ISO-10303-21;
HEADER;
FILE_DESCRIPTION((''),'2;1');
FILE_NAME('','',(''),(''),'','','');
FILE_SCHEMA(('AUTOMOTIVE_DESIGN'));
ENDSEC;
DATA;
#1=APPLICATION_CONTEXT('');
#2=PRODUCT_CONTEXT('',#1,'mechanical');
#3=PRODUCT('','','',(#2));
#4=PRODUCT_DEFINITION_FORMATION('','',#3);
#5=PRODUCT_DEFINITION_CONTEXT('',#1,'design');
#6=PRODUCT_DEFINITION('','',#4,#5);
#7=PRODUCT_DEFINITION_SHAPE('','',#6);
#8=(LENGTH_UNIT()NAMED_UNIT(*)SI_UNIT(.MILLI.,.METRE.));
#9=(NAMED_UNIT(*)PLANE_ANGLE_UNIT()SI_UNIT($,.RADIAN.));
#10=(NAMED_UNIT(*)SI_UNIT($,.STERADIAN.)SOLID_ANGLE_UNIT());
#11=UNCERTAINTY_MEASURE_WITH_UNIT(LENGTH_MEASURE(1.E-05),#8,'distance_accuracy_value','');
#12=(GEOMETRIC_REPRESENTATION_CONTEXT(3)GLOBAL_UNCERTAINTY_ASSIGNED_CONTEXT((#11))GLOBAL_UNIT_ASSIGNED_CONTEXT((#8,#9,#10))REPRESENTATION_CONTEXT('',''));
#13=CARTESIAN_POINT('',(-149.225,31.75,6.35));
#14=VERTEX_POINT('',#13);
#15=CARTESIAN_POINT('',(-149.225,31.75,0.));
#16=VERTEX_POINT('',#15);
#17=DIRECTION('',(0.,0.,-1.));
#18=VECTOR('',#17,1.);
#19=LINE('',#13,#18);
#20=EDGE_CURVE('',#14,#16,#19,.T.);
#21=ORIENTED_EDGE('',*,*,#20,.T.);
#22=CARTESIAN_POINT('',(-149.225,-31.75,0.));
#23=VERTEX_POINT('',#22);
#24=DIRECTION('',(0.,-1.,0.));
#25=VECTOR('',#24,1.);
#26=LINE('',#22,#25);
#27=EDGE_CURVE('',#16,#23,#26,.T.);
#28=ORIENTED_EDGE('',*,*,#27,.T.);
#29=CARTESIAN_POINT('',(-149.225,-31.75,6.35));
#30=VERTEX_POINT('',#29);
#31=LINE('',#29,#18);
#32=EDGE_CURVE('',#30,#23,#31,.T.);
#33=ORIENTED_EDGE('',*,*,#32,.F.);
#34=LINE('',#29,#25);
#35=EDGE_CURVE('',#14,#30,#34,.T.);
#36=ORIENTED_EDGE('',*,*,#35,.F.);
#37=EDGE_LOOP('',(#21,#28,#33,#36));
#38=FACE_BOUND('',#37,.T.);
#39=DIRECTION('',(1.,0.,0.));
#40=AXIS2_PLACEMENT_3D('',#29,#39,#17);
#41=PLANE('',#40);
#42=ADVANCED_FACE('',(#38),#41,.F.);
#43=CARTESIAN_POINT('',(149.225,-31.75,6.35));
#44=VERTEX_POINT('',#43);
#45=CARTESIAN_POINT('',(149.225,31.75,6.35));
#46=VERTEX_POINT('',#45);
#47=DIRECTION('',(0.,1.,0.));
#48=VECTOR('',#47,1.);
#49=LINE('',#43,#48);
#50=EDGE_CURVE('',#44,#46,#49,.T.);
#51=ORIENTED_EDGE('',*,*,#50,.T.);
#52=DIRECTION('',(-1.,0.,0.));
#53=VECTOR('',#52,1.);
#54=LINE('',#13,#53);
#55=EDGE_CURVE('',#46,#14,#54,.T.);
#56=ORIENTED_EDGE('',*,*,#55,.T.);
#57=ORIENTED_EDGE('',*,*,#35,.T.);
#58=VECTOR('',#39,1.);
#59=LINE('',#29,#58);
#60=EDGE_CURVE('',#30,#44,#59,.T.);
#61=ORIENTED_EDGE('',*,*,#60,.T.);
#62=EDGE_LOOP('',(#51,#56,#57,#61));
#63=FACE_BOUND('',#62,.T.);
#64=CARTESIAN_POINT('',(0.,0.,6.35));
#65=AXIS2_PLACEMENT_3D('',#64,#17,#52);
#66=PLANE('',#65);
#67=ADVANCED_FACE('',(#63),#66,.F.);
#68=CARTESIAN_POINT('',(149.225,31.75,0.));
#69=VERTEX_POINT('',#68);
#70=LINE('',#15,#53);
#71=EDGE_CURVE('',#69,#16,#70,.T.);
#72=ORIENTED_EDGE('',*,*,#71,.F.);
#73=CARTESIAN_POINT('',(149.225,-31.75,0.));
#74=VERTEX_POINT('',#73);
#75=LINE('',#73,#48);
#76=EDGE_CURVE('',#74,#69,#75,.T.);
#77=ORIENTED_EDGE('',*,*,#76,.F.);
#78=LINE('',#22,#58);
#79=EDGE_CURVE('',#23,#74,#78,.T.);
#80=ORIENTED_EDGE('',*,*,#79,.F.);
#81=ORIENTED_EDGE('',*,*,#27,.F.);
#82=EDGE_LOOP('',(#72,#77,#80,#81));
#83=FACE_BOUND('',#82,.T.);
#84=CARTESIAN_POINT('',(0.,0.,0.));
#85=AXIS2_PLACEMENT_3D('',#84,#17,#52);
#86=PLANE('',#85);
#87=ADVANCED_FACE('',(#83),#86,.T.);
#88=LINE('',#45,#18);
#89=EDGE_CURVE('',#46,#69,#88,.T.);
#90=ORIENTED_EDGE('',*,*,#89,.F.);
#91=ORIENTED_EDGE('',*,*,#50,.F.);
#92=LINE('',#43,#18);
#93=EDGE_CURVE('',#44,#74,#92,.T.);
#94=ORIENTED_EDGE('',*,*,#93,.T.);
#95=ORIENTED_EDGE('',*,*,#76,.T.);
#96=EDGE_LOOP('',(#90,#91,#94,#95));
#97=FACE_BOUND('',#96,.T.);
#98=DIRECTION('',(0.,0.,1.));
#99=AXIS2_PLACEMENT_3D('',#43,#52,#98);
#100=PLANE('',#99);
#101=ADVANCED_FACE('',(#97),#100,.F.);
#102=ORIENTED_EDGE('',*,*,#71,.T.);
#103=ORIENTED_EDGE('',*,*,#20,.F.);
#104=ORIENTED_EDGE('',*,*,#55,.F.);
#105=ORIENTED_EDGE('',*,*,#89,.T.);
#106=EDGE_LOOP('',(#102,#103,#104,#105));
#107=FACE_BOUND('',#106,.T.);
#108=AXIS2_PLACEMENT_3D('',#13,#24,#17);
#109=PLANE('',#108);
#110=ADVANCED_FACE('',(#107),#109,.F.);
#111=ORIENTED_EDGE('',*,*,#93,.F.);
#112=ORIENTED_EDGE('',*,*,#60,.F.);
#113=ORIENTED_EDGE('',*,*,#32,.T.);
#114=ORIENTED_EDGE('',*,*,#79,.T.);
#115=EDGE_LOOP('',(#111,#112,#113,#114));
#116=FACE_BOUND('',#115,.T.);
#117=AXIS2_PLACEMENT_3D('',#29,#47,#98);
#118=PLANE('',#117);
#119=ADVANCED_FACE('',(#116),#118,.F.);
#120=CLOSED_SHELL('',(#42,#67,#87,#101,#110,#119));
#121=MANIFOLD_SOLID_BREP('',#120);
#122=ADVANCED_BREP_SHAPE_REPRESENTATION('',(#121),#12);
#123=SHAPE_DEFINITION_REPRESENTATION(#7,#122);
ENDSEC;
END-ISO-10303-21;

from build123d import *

# Parameters (mm, degrees)
SKETCH2_W           = 298.45
SKETCH2_H           = 63.5
BOSS_EXTRUDE1_DEPTH = 6.35


with BuildPart() as part:
    # Sketch2 → Boss-Extrude1 (new body)
    with BuildSketch(Plane.XY):
        Rectangle(SKETCH2_W, SKETCH2_H)
    extrude(amount=BOSS_EXTRUDE1_DEPTH)


solid = part.part
